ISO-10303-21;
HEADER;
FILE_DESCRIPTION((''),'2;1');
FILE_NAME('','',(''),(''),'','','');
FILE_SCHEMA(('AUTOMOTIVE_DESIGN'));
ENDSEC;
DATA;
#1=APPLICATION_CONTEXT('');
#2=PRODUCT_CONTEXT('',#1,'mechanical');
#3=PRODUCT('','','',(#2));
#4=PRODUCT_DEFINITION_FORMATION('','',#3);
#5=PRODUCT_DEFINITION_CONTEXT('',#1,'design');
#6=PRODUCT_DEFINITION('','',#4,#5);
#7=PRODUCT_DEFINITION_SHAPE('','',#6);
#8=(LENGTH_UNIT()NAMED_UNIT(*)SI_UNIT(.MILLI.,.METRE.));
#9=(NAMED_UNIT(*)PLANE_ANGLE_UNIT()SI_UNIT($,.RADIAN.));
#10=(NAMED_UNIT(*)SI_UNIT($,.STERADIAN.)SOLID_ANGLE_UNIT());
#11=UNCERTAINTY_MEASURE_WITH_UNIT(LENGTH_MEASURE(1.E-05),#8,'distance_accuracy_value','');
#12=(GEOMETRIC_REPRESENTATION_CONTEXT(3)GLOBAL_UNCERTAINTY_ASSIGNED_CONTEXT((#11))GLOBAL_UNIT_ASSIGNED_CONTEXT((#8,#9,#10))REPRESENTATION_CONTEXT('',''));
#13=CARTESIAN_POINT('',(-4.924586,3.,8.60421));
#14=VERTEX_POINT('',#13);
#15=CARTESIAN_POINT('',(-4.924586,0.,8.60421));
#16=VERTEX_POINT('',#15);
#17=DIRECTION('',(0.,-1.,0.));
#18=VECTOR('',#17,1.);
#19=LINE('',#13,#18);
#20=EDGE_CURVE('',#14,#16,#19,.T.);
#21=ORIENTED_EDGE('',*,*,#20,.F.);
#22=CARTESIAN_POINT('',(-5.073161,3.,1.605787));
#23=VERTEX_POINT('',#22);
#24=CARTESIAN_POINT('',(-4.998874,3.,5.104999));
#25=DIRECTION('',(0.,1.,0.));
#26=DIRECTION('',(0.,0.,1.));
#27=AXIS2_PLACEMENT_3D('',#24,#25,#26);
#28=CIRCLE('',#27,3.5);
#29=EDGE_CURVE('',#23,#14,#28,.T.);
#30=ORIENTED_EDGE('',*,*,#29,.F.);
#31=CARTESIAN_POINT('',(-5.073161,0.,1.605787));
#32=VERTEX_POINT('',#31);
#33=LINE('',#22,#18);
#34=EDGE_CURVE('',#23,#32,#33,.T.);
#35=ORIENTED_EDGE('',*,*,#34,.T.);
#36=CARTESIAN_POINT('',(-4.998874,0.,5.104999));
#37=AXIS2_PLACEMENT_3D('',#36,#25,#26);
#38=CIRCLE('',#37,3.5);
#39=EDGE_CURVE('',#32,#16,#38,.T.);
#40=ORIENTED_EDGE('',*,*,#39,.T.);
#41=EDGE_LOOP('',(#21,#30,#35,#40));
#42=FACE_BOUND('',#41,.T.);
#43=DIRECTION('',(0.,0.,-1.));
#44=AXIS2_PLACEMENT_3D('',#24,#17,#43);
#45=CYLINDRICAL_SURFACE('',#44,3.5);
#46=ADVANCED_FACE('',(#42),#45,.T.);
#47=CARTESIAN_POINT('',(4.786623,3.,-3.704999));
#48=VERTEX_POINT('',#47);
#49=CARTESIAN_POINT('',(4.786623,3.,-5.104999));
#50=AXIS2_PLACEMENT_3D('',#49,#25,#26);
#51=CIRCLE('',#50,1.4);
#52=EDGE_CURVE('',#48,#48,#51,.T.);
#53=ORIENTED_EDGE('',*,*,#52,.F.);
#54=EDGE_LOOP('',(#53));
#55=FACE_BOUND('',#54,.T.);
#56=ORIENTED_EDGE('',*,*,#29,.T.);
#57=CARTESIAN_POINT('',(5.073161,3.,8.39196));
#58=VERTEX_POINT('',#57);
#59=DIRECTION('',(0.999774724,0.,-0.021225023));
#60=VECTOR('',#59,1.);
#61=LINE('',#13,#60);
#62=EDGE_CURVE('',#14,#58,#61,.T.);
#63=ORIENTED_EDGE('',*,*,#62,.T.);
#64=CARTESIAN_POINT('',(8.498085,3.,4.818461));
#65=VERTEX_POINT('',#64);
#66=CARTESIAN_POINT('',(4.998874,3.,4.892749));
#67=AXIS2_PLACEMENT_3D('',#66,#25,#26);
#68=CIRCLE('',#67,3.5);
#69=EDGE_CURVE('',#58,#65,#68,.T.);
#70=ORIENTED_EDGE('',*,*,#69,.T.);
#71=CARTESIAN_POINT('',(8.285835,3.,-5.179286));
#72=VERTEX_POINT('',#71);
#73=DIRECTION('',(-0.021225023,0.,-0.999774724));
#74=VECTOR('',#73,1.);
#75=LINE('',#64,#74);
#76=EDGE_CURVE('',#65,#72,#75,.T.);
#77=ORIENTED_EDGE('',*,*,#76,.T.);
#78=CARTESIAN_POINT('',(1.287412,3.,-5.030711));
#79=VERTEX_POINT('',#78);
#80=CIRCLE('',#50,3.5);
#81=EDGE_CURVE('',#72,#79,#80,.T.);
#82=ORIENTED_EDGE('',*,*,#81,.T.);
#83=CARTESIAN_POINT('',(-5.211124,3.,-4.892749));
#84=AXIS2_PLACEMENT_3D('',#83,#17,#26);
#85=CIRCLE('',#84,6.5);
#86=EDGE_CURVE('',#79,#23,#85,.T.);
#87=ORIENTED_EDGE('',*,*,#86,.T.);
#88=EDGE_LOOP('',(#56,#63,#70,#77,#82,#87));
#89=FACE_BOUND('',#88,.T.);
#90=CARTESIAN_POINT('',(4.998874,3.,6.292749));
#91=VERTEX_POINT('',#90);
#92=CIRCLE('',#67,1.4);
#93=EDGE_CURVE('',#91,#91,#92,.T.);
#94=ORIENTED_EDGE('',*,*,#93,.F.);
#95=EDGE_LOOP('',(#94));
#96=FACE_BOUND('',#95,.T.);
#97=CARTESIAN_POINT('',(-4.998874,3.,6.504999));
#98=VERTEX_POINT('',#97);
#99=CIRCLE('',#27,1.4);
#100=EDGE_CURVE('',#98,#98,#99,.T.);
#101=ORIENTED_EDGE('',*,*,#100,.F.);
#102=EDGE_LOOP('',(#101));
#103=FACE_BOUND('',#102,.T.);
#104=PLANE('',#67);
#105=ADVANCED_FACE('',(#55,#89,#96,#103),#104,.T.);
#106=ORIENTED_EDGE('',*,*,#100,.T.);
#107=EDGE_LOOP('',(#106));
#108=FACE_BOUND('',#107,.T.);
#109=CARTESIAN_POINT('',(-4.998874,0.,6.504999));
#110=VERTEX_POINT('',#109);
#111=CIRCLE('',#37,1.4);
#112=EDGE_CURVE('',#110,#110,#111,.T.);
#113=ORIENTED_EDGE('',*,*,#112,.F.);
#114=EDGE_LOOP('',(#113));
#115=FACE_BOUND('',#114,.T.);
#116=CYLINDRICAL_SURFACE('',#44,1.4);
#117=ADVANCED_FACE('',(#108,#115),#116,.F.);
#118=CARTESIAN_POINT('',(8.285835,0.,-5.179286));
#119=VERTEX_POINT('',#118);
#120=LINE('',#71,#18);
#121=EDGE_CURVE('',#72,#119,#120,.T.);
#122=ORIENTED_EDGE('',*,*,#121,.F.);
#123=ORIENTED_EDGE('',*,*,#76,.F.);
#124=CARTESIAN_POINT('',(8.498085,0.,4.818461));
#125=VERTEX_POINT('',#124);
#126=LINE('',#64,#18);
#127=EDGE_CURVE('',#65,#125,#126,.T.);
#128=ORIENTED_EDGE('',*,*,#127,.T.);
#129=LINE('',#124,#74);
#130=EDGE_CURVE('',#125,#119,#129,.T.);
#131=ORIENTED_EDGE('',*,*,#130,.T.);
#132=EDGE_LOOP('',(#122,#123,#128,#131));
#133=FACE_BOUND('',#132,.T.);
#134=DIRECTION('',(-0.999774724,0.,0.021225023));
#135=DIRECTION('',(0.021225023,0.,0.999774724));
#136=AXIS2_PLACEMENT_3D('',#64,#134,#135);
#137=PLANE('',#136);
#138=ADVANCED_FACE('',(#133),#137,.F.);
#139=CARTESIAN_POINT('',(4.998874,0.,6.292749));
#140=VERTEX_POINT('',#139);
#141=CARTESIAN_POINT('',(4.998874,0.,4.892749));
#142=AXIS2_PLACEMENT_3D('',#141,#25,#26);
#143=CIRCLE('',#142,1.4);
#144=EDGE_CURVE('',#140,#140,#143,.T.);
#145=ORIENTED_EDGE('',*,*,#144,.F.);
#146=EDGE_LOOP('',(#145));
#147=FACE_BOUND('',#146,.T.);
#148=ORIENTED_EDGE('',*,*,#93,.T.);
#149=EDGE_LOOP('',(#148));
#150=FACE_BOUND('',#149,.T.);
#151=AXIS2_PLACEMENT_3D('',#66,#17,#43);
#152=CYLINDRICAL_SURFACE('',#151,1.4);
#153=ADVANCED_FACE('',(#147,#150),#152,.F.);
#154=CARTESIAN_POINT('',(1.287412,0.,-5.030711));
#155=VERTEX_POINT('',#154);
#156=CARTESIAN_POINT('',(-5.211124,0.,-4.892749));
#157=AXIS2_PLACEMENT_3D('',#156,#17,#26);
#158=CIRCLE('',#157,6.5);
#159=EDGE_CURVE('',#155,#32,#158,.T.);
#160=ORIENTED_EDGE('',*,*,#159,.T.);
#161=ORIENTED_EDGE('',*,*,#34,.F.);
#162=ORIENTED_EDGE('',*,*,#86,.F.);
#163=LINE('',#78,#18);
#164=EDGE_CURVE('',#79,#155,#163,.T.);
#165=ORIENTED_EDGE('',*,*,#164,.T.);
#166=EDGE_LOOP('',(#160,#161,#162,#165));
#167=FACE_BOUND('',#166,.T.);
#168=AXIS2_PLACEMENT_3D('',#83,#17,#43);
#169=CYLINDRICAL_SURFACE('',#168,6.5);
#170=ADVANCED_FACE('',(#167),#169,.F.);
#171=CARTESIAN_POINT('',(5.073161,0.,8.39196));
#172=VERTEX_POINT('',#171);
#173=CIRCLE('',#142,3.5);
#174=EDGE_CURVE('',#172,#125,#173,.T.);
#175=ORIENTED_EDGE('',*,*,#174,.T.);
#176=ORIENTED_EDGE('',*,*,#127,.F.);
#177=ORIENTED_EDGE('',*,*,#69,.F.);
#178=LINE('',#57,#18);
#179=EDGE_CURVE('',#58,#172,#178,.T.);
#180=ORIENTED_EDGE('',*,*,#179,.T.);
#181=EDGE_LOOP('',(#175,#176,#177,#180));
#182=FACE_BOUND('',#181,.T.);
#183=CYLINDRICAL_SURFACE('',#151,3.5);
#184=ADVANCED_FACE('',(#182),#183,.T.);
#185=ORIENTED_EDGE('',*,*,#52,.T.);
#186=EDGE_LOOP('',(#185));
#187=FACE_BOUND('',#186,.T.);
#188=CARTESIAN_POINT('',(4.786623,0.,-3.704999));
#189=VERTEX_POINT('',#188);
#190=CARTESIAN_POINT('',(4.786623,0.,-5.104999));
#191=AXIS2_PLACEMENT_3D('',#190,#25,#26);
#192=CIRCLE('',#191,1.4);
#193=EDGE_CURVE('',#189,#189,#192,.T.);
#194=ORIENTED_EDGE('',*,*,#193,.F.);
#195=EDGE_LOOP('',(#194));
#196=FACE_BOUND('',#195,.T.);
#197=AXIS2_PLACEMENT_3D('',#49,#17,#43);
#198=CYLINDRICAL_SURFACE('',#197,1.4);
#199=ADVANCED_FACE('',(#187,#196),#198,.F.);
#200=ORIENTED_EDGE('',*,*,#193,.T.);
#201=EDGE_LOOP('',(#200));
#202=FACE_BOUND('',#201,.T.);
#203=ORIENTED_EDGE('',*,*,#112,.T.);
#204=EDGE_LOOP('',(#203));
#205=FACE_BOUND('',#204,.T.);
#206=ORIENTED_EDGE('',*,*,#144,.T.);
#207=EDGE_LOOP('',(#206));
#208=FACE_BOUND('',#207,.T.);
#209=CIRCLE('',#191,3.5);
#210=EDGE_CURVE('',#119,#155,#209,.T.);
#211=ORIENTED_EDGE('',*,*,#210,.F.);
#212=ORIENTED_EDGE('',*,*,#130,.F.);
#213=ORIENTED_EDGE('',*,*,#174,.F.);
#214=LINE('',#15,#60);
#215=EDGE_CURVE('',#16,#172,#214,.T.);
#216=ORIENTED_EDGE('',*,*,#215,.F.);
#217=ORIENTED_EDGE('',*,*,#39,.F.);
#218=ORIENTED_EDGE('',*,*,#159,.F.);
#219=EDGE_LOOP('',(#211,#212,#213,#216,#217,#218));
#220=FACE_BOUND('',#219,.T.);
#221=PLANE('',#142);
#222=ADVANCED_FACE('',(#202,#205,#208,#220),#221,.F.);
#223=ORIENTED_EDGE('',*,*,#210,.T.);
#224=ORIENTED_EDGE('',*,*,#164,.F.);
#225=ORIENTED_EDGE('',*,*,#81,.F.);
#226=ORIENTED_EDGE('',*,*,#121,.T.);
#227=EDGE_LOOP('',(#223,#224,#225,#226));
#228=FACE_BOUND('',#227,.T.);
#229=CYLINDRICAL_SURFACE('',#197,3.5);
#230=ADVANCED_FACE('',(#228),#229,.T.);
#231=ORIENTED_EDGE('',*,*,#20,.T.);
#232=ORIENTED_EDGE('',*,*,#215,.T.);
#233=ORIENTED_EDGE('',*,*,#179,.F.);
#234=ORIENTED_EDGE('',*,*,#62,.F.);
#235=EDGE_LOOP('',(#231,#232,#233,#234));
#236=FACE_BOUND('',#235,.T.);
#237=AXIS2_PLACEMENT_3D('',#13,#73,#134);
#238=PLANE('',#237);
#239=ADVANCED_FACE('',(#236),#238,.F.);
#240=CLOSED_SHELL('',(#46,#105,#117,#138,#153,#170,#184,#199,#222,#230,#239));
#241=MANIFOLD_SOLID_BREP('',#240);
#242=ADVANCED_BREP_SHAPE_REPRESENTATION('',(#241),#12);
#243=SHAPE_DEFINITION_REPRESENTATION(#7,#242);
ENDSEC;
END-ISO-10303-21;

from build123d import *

# Parameters (mm, degrees)
SKETCH1_R           = 1.4
BOSS_EXTRUDE1_DEPTH = 3


with BuildPart() as part:
    # Sketch1 → Boss-Extrude1 (new body)
    with BuildSketch(Plane(origin=(0, 0, 0), x_dir=(1, 0, 0), z_dir=(0, 1, 0))):
        with BuildLine():
            Line((8.498085152, -4.818460921), (8.285834919, 5.179286318))
            ThreePointArc((8.285834919, 5.179286318), (4.712335804, 8.604210269), (1.287411852, 5.030711154))
            ThreePointArc((1.287411852, 5.030711154), (-0.518410861, 0.395144164), (-5.073161201, -1.605787202))
            ThreePointArc((-5.073161201, -1.605787202), (-8.498085152, -5.179286318), (-4.924586037, -8.604210269))
            Line((-4.924586037, -8.604210269), (5.073161201, -8.391960036))
            ThreePointArc((5.073161201, -8.391960036), (7.525719076, -7.314535454), (8.498085152, -4.818460921))
        make_face()
        with Locations((4.786623386, 5.104998736)):
            Circle(SKETCH1_R, mode=Mode.SUBTRACT)
        with Locations((4.998873619, -4.892748502)):
            Circle(SKETCH1_R, mode=Mode.SUBTRACT)
        with Locations((-4.998873619, -5.104998736)):
            Circle(SKETCH1_R, mode=Mode.SUBTRACT)
    extrude(amount=BOSS_EXTRUDE1_DEPTH)


solid = part.part
